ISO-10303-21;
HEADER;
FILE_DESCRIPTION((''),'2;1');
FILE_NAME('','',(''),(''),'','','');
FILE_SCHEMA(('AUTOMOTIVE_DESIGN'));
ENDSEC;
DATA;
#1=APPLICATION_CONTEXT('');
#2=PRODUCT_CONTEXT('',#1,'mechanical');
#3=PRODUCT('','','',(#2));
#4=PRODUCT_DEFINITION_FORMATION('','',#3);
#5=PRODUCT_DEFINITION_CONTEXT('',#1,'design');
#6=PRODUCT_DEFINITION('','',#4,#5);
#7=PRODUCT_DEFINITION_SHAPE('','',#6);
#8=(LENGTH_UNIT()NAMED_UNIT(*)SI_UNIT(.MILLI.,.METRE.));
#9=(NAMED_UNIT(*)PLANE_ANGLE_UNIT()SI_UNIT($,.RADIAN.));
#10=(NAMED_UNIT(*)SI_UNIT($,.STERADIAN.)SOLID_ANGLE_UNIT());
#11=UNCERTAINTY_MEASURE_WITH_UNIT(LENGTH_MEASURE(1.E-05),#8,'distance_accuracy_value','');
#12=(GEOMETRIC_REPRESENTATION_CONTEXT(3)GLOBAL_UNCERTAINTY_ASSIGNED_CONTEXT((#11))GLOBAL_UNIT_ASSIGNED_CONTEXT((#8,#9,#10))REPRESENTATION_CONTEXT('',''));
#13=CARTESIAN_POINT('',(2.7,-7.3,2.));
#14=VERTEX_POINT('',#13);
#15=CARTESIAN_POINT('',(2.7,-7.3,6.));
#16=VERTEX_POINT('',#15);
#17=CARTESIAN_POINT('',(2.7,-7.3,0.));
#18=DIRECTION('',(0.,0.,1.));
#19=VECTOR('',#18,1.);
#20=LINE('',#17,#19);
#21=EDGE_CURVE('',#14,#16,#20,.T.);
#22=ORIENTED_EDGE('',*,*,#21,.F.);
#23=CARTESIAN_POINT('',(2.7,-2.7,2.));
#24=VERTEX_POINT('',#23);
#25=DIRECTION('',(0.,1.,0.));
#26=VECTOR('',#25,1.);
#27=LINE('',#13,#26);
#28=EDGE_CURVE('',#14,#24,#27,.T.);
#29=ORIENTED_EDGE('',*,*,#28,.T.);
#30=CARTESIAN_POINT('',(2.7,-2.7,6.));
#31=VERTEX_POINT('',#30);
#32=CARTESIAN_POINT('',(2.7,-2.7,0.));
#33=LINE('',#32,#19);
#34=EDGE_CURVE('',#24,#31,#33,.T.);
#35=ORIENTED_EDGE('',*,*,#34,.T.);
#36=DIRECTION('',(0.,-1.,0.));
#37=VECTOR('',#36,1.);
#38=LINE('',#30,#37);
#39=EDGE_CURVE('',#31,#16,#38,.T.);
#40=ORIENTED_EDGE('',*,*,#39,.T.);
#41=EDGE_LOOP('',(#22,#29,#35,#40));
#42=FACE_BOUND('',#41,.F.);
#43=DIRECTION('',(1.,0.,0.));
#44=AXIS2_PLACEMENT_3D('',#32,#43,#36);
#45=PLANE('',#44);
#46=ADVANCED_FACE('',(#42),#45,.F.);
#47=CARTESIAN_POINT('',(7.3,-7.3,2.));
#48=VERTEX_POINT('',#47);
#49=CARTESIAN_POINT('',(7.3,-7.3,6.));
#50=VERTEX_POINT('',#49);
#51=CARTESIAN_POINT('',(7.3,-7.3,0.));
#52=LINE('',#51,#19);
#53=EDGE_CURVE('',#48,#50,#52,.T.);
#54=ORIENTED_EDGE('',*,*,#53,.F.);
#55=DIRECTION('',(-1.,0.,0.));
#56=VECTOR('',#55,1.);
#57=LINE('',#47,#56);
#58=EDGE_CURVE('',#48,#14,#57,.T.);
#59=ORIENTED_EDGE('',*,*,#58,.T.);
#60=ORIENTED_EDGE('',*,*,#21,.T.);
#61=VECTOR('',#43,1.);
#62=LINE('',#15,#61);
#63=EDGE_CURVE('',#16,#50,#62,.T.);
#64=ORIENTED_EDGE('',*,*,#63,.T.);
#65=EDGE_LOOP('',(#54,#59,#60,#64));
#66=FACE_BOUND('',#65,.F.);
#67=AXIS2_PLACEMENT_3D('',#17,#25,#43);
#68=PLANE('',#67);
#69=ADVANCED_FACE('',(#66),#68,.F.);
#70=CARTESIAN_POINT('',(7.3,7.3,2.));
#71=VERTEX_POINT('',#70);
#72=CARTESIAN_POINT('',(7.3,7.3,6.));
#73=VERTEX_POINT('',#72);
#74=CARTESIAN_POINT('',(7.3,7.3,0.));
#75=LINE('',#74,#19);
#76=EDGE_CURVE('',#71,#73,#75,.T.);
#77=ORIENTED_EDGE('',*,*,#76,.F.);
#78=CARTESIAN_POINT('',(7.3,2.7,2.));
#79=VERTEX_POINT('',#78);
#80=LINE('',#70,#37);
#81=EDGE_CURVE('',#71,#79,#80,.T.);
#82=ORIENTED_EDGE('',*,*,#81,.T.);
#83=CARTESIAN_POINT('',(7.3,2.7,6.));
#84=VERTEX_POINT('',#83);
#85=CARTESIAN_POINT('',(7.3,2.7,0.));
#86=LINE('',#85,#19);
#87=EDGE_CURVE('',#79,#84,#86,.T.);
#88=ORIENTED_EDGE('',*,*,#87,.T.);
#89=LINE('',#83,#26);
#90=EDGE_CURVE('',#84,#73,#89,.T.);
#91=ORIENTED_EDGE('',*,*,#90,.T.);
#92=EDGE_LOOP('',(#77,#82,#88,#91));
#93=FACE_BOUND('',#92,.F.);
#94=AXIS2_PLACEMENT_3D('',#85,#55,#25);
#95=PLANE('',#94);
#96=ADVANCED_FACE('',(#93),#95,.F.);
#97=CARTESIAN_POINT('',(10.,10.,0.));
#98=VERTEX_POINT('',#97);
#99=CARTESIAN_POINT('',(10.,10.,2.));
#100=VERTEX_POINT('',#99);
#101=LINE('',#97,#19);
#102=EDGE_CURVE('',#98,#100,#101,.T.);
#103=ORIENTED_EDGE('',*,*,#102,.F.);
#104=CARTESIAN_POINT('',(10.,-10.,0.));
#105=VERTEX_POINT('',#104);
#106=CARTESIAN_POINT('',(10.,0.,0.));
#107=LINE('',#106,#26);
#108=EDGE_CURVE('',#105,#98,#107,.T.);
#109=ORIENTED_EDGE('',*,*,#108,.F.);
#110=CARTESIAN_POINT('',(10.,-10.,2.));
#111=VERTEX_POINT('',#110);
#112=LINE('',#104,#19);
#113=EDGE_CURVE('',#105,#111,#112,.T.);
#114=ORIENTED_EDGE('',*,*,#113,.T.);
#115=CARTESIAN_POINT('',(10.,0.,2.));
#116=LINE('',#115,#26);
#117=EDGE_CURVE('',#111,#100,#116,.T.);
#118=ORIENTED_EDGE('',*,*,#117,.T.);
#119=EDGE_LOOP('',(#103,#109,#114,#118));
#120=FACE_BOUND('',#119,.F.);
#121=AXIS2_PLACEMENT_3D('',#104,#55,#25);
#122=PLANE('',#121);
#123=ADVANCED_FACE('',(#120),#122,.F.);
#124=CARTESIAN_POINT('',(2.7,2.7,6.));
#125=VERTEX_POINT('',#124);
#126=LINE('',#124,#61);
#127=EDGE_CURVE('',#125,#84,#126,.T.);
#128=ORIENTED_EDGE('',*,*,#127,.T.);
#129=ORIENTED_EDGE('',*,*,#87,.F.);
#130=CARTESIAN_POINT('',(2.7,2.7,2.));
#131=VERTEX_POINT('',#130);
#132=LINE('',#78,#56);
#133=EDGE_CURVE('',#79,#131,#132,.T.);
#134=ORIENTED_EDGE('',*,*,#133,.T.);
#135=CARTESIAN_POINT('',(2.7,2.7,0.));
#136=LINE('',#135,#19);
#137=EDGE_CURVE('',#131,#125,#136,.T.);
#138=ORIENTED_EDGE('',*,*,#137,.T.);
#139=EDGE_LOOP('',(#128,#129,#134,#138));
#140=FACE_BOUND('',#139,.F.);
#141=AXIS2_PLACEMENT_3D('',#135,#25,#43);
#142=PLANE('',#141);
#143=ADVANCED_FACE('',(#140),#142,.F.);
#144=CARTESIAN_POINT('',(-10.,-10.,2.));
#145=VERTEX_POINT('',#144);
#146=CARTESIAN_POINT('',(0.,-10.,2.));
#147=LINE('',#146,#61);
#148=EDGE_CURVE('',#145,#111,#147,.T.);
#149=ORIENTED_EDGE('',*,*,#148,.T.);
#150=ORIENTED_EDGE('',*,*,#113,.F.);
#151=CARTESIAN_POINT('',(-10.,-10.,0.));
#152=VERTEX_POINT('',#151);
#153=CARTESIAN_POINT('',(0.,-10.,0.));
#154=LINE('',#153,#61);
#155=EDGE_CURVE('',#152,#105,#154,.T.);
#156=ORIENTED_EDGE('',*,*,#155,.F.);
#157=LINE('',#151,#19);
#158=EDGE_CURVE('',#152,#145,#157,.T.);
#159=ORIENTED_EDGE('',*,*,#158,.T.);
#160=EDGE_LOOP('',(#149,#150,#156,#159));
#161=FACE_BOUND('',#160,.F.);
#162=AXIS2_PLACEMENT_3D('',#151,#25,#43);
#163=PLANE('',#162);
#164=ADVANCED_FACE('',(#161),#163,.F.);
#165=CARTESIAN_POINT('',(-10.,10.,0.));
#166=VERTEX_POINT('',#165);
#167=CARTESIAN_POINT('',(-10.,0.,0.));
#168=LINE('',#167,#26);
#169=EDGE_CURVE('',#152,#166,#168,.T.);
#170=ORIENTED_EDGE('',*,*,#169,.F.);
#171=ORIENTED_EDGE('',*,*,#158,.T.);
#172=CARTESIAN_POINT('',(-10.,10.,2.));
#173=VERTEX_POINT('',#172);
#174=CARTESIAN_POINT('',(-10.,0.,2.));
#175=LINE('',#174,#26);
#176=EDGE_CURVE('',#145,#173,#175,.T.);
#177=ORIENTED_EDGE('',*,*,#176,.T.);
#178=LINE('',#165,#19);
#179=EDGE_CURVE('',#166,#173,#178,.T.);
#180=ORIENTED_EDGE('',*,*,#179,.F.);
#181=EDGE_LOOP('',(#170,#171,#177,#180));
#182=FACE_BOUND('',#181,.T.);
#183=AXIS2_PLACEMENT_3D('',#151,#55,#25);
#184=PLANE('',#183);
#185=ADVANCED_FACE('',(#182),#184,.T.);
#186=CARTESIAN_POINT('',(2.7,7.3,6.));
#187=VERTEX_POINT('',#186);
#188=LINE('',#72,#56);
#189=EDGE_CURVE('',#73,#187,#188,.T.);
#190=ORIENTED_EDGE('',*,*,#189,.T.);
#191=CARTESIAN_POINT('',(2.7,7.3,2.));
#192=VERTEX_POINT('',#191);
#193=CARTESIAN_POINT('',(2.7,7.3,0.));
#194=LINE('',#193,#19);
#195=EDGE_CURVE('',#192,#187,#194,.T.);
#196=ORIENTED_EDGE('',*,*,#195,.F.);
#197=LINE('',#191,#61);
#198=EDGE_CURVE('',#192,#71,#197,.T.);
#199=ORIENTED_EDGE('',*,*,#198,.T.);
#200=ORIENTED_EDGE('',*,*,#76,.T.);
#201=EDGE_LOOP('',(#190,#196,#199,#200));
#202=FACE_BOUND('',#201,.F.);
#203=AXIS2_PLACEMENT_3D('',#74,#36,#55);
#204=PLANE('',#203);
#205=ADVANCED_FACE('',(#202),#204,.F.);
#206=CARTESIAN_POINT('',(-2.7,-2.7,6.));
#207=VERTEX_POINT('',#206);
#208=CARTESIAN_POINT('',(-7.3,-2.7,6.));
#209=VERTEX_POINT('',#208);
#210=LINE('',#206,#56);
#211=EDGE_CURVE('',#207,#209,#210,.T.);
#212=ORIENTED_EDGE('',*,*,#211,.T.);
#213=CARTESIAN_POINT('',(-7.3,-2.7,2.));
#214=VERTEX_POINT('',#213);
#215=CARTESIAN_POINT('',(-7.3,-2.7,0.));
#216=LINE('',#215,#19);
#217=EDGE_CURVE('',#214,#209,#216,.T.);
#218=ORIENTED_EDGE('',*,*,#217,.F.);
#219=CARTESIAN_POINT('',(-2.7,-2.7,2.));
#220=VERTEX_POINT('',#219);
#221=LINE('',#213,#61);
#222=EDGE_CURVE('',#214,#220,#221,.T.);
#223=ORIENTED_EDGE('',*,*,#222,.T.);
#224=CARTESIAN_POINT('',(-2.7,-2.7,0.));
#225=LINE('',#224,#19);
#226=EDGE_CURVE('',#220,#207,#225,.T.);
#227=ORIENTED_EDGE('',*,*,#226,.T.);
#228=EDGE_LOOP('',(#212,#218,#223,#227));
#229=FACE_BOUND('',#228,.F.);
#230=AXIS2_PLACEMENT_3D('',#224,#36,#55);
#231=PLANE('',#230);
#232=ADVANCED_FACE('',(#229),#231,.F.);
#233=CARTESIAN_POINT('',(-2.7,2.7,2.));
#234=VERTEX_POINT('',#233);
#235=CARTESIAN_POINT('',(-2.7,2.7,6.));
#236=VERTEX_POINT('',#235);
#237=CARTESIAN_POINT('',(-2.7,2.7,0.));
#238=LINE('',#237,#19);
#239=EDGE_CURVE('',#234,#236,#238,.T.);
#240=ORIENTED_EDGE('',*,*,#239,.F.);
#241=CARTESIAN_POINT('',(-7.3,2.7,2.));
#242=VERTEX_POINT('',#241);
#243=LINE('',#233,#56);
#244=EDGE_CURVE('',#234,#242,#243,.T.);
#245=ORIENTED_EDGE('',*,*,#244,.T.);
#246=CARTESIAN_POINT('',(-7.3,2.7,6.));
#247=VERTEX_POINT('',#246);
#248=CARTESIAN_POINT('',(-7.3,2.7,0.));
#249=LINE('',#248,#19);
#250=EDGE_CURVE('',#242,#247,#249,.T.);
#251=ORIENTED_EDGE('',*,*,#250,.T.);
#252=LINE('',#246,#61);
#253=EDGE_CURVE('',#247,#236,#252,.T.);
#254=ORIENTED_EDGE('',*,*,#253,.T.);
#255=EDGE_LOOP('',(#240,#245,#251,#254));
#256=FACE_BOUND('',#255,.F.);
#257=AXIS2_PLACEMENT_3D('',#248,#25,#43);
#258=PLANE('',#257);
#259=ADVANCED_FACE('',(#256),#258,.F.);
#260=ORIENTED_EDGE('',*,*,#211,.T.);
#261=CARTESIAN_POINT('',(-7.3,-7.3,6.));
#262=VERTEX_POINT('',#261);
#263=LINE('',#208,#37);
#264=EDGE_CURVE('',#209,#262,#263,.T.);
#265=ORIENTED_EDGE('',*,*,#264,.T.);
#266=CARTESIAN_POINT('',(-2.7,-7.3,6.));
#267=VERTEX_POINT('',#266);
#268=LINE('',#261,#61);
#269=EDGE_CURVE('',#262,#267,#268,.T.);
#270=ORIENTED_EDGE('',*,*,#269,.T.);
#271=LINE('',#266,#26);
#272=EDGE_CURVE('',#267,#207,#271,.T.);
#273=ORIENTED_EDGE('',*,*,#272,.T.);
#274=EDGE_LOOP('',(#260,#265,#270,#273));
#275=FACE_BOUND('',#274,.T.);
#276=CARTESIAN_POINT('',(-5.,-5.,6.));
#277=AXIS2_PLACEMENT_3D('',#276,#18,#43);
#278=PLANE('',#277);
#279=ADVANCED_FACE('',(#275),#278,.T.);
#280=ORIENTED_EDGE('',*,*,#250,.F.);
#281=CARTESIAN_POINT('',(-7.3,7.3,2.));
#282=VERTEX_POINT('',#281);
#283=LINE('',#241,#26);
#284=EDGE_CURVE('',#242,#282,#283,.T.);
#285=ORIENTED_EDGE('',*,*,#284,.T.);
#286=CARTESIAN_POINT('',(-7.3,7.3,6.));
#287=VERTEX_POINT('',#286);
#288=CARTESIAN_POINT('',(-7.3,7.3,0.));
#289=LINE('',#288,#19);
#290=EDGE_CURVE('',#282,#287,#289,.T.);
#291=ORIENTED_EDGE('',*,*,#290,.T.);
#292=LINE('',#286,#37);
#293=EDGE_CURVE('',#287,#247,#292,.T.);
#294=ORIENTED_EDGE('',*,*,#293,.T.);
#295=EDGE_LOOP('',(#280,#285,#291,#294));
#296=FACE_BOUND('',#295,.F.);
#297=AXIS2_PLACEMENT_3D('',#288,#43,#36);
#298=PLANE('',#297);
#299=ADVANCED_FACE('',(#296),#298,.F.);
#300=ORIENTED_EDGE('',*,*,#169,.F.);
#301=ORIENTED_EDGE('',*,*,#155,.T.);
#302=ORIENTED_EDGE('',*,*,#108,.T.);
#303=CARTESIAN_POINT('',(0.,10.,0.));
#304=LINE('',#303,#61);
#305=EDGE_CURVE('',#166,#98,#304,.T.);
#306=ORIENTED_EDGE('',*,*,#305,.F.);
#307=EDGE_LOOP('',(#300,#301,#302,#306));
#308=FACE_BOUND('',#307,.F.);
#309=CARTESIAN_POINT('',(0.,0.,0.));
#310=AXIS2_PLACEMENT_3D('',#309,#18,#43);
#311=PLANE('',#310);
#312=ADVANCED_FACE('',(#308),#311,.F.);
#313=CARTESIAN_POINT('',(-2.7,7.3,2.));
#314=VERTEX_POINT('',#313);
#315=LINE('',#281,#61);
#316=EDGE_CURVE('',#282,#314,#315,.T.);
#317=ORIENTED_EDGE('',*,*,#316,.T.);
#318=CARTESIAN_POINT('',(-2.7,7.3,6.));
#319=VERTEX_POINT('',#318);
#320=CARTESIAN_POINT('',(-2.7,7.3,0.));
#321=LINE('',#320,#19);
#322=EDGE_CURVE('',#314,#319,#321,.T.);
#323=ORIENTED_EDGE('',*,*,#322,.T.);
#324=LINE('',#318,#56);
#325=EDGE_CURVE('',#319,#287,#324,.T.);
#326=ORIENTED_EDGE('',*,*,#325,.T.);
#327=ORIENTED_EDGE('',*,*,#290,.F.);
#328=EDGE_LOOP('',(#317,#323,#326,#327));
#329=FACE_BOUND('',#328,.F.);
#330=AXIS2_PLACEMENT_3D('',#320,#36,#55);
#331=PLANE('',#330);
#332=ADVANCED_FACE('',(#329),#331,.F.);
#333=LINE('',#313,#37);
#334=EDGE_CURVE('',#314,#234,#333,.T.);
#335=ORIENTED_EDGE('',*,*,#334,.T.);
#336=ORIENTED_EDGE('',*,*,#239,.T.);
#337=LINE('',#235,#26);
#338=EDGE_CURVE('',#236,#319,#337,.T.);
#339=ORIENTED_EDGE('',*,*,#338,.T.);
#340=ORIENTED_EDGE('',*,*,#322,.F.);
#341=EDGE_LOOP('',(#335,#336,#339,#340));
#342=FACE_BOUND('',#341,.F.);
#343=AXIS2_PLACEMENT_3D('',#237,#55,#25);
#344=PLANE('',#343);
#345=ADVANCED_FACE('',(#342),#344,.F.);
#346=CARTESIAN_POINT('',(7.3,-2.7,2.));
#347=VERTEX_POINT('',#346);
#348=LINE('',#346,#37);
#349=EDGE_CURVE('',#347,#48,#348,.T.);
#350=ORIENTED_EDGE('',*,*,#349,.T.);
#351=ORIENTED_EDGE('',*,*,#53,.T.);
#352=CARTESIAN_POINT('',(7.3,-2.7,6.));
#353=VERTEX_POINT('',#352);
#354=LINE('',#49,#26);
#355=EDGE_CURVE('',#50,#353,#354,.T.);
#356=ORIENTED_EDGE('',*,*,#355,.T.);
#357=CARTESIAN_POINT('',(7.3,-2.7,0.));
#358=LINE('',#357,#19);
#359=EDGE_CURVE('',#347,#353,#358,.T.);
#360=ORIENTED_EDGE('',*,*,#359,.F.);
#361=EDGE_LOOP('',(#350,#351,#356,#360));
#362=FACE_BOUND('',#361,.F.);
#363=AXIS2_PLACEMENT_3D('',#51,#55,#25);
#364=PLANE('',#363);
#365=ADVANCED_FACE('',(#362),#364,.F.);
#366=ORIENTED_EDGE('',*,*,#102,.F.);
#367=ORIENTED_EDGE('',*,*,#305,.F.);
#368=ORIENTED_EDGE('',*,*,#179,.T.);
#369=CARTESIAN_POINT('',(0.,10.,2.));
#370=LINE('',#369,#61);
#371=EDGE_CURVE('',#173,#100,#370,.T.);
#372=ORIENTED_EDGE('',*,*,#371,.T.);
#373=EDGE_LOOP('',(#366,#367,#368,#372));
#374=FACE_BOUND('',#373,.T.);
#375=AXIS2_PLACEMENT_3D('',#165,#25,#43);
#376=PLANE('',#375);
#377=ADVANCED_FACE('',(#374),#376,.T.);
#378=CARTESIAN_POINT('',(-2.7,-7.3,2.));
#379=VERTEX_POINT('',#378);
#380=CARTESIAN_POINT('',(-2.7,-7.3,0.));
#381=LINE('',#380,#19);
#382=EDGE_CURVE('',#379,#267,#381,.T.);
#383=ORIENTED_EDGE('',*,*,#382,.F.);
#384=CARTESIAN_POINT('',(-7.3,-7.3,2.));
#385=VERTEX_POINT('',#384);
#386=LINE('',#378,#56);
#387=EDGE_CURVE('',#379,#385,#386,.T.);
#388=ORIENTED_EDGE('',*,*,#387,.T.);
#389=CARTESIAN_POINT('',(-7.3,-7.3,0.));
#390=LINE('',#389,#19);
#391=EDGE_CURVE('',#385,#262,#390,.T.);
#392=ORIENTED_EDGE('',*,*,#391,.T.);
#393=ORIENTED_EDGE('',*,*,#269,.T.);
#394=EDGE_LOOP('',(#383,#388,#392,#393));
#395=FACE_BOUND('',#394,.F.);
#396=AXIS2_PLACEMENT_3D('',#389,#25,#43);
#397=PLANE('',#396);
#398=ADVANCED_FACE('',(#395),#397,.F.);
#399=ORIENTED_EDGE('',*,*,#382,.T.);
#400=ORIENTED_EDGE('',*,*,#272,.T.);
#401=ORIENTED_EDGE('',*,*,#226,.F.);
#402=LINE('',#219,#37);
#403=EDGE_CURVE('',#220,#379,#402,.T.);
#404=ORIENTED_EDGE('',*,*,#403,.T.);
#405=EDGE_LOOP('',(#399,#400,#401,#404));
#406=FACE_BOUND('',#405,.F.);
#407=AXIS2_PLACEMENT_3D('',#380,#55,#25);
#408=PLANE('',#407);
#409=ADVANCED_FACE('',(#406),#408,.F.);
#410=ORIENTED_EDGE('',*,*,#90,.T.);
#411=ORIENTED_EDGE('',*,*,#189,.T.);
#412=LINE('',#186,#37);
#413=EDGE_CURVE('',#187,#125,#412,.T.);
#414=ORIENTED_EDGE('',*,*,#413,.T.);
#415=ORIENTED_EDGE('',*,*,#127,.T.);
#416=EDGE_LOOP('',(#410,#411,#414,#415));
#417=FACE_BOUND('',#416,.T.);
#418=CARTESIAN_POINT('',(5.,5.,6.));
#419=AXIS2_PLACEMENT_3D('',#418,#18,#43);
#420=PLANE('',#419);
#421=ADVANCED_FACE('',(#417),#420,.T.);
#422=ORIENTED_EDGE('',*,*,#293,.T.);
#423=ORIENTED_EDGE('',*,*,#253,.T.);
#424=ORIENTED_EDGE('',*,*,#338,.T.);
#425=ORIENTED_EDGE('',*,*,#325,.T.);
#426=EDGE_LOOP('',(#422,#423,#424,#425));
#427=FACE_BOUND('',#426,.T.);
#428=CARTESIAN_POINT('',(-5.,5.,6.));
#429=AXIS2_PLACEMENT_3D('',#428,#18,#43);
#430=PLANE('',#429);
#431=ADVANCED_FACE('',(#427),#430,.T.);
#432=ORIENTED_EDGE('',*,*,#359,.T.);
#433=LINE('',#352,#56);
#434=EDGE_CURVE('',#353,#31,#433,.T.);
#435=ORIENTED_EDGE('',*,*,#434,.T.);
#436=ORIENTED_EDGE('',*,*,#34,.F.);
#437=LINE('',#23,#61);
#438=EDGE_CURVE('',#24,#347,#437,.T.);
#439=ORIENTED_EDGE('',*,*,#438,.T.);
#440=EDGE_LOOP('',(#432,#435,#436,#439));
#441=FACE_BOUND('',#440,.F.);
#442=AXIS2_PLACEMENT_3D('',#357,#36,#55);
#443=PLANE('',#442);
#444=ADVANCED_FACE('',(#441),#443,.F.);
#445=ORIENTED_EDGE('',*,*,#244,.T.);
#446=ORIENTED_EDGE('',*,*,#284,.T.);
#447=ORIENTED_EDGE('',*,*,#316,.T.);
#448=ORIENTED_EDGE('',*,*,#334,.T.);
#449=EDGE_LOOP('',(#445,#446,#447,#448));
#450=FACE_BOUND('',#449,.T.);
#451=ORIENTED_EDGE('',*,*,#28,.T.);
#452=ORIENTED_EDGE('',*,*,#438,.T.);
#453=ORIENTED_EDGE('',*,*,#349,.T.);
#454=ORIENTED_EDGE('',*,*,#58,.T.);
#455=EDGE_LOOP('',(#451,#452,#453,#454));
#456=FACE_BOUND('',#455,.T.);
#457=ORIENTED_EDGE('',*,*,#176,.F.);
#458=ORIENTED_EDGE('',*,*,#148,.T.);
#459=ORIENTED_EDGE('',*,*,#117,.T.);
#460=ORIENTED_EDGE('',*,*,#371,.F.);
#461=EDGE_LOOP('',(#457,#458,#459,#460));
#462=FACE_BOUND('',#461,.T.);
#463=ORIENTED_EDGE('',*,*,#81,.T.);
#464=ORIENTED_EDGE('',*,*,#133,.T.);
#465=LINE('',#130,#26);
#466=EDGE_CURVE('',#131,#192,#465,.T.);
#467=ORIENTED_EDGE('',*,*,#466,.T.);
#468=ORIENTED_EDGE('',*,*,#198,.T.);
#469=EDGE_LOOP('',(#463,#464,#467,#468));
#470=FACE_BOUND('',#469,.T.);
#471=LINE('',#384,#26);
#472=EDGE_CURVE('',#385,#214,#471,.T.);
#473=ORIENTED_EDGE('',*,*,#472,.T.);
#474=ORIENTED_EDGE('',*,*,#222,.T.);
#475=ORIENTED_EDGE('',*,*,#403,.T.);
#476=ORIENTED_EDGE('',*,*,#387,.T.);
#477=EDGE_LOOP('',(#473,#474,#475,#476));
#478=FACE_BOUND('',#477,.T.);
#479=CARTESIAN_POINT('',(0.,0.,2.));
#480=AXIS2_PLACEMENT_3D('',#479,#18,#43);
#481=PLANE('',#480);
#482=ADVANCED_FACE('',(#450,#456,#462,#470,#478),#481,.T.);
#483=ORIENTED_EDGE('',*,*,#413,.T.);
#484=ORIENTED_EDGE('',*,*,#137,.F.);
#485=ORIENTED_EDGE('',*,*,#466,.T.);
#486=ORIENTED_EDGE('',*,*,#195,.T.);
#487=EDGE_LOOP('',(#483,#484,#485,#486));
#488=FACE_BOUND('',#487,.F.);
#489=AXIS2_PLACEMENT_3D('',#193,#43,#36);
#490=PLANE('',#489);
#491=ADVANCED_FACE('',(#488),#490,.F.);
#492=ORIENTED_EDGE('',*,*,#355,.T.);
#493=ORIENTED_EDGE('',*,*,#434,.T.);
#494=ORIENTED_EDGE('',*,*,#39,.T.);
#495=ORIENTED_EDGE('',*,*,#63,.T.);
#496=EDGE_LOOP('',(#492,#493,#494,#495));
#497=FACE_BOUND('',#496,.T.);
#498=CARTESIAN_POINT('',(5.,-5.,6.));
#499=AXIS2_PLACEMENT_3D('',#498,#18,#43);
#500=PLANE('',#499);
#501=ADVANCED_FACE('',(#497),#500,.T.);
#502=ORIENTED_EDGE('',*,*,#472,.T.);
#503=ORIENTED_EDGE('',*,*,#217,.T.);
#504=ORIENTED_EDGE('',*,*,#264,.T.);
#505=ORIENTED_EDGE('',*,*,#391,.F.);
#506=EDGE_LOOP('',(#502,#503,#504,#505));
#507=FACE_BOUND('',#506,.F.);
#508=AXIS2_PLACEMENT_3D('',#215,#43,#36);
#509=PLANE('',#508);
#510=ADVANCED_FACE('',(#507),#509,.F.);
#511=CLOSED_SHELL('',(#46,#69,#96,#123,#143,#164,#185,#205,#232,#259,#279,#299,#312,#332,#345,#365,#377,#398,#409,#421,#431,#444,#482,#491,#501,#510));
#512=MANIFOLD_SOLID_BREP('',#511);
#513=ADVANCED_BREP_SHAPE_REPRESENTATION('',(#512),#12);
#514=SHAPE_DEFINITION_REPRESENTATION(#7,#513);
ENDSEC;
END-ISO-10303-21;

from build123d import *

# Parameters (mm, degrees)
F0_W     = 20
F0_H     = 20
F1_DEPTH = 2
F2_DEPTH = 6


with BuildPart() as f1:
    # F0 (on Top) → F1 (new body)
    with BuildSketch(Plane.XY):
        Rectangle(F0_W, F0_H)
        Polygon((-7.3, -2.7), (-5, -2.7), (-2.7, -2.7), (-2.7, -7.3), (-7.3, -7.3), align=None, mode=Mode.SUBTRACT)
        Polygon((2.7, -2.7), (5, -2.7), (7.3, -2.7), (7.3, -7.3), (2.7, -7.3), align=None, mode=Mode.SUBTRACT)
        Polygon((-2.7, 2.7), (-5, 2.7), (-7.3, 2.7), (-7.3, 7.3), (-2.7, 7.3), align=None, mode=Mode.SUBTRACT)
        Polygon((7.3, 2.7), (5, 2.7), (2.7, 2.7), (2.7, 7.3), (7.3, 7.3), align=None, mode=Mode.SUBTRACT)
    extrude(amount=F1_DEPTH)

    # F0 (on Top) → F2 (join)
    with BuildSketch(Plane.XY):
        Polygon((-7.3, 2.7), (-5, 2.7), (-2.7, 2.7), (-2.7, 7.3), (-7.3, 7.3), align=None)
        Polygon((2.7, 2.7), (5, 2.7), (7.3, 2.7), (7.3, 7.3), (2.7, 7.3), align=None)
        Polygon((-2.7, -2.7), (-5, -2.7), (-7.3, -2.7), (-7.3, -7.3), (-2.7, -7.3), align=None)
        Polygon((7.3, -2.7), (5, -2.7), (2.7, -2.7), (2.7, -7.3), (7.3, -7.3), align=None)
    extrude(amount=F2_DEPTH)


solid = f1.part
